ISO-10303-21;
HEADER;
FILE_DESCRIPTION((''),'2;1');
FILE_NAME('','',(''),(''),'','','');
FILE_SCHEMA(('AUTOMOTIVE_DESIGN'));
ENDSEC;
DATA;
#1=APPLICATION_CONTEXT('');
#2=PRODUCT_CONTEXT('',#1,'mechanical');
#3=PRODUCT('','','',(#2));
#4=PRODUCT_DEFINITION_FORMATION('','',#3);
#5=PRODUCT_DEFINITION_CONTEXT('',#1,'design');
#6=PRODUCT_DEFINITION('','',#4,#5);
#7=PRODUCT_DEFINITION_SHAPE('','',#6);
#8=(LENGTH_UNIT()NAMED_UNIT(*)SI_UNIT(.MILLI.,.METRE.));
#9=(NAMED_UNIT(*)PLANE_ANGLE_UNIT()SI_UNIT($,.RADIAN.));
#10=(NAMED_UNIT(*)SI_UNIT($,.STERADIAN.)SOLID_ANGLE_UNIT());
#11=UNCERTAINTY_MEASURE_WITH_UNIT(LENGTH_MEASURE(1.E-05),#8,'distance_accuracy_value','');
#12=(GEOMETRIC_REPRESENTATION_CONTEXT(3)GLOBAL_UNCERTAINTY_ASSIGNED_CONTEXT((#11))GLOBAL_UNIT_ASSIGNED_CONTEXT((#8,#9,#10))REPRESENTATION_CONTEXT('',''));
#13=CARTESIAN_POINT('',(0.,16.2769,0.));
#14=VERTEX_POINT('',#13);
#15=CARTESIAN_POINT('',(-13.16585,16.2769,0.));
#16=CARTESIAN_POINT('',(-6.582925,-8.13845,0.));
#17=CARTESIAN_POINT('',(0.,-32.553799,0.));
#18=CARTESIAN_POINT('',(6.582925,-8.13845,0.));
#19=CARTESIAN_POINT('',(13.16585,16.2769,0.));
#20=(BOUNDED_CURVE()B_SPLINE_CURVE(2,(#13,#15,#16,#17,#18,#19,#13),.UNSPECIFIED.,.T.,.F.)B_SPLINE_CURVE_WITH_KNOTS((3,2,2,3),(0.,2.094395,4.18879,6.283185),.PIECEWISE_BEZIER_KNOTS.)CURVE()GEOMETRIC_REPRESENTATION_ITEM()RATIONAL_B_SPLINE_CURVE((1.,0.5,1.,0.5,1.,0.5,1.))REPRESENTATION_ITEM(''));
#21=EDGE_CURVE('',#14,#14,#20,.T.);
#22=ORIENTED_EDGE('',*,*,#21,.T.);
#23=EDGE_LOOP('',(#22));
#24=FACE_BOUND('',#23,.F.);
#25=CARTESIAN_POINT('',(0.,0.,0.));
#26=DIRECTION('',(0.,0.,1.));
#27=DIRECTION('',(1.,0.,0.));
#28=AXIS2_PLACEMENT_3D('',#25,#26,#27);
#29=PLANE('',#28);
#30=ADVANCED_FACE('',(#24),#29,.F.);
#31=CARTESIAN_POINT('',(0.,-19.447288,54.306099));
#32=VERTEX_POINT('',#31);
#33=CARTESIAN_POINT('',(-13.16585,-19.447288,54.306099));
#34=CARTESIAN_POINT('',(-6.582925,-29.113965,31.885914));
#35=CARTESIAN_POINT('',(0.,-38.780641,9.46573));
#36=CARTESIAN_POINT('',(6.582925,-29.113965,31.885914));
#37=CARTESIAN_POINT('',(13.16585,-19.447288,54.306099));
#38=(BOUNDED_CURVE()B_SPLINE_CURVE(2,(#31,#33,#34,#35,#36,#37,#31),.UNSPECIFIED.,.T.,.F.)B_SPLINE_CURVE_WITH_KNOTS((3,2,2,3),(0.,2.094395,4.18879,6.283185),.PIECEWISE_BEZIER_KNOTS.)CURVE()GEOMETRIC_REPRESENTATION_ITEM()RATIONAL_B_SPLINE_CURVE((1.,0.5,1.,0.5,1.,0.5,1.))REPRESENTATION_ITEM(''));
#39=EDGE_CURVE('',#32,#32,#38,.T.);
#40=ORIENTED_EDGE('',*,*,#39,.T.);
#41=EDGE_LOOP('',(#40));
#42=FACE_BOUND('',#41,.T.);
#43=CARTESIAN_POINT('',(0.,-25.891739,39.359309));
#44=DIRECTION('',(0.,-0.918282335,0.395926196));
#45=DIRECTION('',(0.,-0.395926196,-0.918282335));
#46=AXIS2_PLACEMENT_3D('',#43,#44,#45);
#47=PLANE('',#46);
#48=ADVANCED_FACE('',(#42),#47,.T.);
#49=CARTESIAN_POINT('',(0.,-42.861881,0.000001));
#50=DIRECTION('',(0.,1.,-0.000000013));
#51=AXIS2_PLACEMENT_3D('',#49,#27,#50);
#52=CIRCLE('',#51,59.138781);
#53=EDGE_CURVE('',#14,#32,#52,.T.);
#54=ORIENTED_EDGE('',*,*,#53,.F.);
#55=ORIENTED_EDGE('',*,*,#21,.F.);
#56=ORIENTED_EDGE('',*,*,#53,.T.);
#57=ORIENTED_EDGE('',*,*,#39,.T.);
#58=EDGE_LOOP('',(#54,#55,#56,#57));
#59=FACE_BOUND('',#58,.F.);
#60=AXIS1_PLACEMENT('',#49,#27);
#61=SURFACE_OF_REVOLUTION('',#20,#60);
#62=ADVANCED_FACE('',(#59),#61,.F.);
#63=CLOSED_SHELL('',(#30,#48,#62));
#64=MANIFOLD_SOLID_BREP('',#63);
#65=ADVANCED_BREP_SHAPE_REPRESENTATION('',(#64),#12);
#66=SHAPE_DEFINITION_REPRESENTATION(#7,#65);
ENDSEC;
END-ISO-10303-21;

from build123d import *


with BuildPart() as f2:
    # F2: sweep along a path in F1
    with BuildLine(Plane.YZ) as f2_path:
        ThreePointArc((0, 0), (-7.053271, 23.555983), (-25.891739, 39.359309))
    # F0 (on Top) → F2 (sweep)
    with BuildSketch(Plane.XY):
        with BuildLine():
            add(Edge.make_bspline(
                [(0, 16.2769), (-13.16585, 16.2769), (-6.582925, -8.13845), (0, -32.553799), (6.582925, -8.13845), (13.16585, 16.2769), (0, 16.2769)],
                knots=[0, 0, 0, 2.094395, 2.094395, 4.18879, 4.18879, 6.283185, 6.283185, 6.283185], degree=2, weights=[1, 0.5, 1, 0.5, 1, 0.5, 1]))
        make_face()
    sweep(path=f2_path.line)


solid = f2.part
